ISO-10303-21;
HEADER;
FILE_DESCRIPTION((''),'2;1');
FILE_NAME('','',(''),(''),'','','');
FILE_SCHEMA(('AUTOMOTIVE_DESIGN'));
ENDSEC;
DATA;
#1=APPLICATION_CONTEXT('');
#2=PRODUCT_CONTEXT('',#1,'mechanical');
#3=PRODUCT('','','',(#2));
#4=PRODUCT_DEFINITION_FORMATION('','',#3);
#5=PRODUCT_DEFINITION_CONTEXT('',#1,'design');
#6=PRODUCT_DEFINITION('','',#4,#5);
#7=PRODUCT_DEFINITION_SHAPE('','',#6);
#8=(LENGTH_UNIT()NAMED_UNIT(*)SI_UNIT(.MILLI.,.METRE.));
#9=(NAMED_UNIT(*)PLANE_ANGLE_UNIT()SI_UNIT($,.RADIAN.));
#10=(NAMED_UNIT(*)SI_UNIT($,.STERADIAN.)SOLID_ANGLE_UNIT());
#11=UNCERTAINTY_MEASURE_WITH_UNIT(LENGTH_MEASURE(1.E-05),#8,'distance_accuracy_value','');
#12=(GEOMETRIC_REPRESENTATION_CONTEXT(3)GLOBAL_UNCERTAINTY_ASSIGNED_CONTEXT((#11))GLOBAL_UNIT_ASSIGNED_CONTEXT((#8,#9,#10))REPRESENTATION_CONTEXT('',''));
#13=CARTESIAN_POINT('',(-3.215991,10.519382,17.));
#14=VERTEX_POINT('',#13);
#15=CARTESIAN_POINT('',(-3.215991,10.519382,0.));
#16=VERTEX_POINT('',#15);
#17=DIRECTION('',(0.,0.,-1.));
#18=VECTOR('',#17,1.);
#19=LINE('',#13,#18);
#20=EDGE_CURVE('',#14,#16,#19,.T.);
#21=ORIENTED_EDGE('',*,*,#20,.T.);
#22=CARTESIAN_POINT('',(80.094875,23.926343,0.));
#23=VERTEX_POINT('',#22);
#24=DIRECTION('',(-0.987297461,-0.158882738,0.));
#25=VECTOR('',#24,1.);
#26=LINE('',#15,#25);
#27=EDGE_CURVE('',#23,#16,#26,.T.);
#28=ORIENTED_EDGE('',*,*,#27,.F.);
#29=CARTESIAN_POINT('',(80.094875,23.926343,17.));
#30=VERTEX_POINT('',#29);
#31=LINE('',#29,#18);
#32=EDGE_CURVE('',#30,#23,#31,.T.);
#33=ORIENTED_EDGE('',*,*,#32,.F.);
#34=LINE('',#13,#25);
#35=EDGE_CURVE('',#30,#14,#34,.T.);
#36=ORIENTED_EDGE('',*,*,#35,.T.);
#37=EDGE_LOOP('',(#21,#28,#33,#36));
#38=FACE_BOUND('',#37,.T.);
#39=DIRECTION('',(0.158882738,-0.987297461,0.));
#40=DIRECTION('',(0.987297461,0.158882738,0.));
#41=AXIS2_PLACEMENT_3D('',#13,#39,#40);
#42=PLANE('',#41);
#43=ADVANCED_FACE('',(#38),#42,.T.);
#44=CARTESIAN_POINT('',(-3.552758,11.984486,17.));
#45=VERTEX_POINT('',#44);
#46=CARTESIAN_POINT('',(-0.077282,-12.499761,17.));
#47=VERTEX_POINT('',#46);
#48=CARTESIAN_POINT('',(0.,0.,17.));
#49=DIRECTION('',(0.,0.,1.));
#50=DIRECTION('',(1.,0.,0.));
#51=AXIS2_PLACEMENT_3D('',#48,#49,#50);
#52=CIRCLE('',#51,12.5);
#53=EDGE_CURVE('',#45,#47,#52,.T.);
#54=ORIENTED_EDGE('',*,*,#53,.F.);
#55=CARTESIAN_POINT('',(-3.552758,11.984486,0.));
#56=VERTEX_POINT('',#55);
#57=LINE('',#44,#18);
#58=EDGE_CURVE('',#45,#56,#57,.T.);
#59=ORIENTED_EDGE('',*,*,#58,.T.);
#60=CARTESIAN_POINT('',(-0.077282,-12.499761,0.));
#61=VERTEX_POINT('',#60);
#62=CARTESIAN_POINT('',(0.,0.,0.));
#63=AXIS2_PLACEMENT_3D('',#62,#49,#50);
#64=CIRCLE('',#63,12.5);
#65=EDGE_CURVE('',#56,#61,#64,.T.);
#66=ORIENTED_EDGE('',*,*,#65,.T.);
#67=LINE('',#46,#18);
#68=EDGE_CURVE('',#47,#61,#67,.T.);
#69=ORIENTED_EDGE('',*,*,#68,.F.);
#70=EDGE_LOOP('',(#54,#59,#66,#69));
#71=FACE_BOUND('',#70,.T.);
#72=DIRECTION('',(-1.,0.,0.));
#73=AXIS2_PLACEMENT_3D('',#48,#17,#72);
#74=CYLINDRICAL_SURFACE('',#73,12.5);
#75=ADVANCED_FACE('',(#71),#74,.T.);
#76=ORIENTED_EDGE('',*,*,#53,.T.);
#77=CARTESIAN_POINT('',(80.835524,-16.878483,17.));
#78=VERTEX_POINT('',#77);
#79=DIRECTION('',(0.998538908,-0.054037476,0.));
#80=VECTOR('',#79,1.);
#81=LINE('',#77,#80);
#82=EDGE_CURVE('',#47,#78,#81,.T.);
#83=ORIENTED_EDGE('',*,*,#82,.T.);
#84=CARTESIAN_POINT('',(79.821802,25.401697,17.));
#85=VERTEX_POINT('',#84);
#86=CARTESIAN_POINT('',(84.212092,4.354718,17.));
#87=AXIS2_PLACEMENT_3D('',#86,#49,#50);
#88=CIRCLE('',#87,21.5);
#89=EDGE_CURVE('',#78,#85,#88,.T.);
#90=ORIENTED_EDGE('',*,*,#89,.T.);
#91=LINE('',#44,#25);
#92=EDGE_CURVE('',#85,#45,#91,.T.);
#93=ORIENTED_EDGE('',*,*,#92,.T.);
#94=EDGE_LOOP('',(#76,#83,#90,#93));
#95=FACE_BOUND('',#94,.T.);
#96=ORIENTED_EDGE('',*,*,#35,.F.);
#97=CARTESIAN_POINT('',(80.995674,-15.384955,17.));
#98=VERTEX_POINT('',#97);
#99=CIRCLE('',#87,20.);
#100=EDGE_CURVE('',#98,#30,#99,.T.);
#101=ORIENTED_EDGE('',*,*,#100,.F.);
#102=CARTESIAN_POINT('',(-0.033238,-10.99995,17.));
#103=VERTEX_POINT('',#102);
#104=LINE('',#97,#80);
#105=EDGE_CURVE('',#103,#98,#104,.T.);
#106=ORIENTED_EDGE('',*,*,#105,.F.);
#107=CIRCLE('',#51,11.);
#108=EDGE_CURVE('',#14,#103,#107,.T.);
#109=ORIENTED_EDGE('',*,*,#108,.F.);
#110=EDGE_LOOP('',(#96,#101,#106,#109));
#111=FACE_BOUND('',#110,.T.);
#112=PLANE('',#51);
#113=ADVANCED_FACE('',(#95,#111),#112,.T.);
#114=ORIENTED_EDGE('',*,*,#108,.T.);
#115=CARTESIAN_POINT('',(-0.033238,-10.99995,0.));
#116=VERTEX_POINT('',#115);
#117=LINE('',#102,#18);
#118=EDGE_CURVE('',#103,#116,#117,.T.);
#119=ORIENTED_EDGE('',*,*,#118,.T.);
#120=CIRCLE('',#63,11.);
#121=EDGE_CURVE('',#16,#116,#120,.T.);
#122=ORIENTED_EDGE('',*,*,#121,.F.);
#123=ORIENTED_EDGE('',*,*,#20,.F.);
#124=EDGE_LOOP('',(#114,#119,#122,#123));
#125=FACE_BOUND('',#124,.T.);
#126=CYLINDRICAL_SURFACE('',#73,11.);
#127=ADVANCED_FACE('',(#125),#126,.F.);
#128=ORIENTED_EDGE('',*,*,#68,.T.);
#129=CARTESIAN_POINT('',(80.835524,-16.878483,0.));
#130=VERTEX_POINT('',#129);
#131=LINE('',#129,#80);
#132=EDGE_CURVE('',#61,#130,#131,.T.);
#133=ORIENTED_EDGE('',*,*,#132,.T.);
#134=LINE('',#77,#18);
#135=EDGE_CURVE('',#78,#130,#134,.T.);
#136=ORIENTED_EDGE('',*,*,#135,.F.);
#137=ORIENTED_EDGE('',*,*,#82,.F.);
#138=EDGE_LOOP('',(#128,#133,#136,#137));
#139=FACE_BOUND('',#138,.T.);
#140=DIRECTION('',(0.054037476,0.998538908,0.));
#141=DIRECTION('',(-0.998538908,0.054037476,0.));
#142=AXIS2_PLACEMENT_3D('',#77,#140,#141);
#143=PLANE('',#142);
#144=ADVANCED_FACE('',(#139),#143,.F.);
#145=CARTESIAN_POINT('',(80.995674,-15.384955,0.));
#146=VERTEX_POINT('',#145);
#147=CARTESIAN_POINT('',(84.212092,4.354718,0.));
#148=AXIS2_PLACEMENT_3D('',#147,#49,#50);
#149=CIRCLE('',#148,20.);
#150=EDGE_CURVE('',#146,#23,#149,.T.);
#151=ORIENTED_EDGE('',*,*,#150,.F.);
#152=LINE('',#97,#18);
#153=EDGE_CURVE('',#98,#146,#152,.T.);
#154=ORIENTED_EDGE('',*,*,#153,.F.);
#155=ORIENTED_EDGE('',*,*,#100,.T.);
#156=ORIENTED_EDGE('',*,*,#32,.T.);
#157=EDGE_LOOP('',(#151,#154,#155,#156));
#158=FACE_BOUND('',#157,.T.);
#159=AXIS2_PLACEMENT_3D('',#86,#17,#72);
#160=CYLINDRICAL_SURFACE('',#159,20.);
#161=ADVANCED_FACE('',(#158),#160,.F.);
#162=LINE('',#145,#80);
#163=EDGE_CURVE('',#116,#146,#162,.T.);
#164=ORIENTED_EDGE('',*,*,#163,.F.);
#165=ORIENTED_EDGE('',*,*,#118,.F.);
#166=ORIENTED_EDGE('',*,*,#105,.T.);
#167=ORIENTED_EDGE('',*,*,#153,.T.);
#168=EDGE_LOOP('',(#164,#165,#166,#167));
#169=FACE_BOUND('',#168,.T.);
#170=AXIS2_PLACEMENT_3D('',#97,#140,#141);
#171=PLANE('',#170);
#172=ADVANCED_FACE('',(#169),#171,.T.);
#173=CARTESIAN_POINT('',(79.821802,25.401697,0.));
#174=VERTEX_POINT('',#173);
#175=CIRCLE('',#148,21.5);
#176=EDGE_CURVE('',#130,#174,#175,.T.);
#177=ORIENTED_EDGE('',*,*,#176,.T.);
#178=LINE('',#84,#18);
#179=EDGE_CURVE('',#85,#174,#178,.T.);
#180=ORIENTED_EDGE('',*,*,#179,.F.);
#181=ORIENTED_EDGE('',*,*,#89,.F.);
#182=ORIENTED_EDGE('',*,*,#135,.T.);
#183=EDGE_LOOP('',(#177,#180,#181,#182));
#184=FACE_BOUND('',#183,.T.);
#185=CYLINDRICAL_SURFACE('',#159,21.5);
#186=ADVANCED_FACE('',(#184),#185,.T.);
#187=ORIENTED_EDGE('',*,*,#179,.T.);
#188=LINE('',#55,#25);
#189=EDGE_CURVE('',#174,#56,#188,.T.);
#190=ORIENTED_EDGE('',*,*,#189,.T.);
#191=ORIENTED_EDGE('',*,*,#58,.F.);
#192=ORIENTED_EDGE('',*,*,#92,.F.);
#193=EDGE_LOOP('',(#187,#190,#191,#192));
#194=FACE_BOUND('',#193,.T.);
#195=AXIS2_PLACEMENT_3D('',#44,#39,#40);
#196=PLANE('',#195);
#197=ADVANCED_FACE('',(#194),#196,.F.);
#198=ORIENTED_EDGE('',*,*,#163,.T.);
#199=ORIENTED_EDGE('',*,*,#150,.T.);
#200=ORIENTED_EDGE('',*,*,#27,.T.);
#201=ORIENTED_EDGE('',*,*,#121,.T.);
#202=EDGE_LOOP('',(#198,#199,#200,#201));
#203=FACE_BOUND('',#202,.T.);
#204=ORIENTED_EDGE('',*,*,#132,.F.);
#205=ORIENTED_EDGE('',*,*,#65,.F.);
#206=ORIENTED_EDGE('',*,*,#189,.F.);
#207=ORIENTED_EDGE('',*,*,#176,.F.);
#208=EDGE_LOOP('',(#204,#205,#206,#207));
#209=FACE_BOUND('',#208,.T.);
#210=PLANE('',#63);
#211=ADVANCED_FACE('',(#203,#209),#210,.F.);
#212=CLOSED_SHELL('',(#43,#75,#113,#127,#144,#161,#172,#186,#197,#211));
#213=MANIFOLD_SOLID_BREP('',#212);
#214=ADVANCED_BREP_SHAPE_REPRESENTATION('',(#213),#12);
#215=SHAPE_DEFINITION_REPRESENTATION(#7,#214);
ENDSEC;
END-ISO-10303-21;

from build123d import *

# Parameters (mm, degrees)
BOSS_EXTRUDE1_DEPTH = 17


with BuildPart() as part:
    # Sketch1 → Boss-Extrude1 (new body)
    with BuildSketch(Plane.XY):
        with BuildLine():
            Line((-3.552757832, 11.984486296), (79.821801563, 25.401697222))
            ThreePointArc((79.821801563, 25.401697222), (105.705914613, 4.870060066), (80.835524125, -16.878482636))
            Line((80.835524125, -16.878482636), (-0.077282043, -12.499761097))
            ThreePointArc((-0.077282043, -12.499761097), (-12.375939964, -1.756732768), (-3.552757832, 11.984486296))
        make_face()
        with BuildLine():
            Line((-3.215991075, 10.519382178), (80.094875313, 23.926343184))
            ThreePointArc((80.094875313, 23.926343184), (104.206843058, 4.812887116), (80.995673674, -15.384954532))
            Line((80.995673674, -15.384954532), (-0.033237623, -10.999949784))
            ThreePointArc((-0.033237623, -10.999949784), (-10.881625973, -1.60941486), (-3.215991075, 10.519382178))
        make_face(mode=Mode.SUBTRACT)
    extrude(amount=BOSS_EXTRUDE1_DEPTH)


solid = part.part
